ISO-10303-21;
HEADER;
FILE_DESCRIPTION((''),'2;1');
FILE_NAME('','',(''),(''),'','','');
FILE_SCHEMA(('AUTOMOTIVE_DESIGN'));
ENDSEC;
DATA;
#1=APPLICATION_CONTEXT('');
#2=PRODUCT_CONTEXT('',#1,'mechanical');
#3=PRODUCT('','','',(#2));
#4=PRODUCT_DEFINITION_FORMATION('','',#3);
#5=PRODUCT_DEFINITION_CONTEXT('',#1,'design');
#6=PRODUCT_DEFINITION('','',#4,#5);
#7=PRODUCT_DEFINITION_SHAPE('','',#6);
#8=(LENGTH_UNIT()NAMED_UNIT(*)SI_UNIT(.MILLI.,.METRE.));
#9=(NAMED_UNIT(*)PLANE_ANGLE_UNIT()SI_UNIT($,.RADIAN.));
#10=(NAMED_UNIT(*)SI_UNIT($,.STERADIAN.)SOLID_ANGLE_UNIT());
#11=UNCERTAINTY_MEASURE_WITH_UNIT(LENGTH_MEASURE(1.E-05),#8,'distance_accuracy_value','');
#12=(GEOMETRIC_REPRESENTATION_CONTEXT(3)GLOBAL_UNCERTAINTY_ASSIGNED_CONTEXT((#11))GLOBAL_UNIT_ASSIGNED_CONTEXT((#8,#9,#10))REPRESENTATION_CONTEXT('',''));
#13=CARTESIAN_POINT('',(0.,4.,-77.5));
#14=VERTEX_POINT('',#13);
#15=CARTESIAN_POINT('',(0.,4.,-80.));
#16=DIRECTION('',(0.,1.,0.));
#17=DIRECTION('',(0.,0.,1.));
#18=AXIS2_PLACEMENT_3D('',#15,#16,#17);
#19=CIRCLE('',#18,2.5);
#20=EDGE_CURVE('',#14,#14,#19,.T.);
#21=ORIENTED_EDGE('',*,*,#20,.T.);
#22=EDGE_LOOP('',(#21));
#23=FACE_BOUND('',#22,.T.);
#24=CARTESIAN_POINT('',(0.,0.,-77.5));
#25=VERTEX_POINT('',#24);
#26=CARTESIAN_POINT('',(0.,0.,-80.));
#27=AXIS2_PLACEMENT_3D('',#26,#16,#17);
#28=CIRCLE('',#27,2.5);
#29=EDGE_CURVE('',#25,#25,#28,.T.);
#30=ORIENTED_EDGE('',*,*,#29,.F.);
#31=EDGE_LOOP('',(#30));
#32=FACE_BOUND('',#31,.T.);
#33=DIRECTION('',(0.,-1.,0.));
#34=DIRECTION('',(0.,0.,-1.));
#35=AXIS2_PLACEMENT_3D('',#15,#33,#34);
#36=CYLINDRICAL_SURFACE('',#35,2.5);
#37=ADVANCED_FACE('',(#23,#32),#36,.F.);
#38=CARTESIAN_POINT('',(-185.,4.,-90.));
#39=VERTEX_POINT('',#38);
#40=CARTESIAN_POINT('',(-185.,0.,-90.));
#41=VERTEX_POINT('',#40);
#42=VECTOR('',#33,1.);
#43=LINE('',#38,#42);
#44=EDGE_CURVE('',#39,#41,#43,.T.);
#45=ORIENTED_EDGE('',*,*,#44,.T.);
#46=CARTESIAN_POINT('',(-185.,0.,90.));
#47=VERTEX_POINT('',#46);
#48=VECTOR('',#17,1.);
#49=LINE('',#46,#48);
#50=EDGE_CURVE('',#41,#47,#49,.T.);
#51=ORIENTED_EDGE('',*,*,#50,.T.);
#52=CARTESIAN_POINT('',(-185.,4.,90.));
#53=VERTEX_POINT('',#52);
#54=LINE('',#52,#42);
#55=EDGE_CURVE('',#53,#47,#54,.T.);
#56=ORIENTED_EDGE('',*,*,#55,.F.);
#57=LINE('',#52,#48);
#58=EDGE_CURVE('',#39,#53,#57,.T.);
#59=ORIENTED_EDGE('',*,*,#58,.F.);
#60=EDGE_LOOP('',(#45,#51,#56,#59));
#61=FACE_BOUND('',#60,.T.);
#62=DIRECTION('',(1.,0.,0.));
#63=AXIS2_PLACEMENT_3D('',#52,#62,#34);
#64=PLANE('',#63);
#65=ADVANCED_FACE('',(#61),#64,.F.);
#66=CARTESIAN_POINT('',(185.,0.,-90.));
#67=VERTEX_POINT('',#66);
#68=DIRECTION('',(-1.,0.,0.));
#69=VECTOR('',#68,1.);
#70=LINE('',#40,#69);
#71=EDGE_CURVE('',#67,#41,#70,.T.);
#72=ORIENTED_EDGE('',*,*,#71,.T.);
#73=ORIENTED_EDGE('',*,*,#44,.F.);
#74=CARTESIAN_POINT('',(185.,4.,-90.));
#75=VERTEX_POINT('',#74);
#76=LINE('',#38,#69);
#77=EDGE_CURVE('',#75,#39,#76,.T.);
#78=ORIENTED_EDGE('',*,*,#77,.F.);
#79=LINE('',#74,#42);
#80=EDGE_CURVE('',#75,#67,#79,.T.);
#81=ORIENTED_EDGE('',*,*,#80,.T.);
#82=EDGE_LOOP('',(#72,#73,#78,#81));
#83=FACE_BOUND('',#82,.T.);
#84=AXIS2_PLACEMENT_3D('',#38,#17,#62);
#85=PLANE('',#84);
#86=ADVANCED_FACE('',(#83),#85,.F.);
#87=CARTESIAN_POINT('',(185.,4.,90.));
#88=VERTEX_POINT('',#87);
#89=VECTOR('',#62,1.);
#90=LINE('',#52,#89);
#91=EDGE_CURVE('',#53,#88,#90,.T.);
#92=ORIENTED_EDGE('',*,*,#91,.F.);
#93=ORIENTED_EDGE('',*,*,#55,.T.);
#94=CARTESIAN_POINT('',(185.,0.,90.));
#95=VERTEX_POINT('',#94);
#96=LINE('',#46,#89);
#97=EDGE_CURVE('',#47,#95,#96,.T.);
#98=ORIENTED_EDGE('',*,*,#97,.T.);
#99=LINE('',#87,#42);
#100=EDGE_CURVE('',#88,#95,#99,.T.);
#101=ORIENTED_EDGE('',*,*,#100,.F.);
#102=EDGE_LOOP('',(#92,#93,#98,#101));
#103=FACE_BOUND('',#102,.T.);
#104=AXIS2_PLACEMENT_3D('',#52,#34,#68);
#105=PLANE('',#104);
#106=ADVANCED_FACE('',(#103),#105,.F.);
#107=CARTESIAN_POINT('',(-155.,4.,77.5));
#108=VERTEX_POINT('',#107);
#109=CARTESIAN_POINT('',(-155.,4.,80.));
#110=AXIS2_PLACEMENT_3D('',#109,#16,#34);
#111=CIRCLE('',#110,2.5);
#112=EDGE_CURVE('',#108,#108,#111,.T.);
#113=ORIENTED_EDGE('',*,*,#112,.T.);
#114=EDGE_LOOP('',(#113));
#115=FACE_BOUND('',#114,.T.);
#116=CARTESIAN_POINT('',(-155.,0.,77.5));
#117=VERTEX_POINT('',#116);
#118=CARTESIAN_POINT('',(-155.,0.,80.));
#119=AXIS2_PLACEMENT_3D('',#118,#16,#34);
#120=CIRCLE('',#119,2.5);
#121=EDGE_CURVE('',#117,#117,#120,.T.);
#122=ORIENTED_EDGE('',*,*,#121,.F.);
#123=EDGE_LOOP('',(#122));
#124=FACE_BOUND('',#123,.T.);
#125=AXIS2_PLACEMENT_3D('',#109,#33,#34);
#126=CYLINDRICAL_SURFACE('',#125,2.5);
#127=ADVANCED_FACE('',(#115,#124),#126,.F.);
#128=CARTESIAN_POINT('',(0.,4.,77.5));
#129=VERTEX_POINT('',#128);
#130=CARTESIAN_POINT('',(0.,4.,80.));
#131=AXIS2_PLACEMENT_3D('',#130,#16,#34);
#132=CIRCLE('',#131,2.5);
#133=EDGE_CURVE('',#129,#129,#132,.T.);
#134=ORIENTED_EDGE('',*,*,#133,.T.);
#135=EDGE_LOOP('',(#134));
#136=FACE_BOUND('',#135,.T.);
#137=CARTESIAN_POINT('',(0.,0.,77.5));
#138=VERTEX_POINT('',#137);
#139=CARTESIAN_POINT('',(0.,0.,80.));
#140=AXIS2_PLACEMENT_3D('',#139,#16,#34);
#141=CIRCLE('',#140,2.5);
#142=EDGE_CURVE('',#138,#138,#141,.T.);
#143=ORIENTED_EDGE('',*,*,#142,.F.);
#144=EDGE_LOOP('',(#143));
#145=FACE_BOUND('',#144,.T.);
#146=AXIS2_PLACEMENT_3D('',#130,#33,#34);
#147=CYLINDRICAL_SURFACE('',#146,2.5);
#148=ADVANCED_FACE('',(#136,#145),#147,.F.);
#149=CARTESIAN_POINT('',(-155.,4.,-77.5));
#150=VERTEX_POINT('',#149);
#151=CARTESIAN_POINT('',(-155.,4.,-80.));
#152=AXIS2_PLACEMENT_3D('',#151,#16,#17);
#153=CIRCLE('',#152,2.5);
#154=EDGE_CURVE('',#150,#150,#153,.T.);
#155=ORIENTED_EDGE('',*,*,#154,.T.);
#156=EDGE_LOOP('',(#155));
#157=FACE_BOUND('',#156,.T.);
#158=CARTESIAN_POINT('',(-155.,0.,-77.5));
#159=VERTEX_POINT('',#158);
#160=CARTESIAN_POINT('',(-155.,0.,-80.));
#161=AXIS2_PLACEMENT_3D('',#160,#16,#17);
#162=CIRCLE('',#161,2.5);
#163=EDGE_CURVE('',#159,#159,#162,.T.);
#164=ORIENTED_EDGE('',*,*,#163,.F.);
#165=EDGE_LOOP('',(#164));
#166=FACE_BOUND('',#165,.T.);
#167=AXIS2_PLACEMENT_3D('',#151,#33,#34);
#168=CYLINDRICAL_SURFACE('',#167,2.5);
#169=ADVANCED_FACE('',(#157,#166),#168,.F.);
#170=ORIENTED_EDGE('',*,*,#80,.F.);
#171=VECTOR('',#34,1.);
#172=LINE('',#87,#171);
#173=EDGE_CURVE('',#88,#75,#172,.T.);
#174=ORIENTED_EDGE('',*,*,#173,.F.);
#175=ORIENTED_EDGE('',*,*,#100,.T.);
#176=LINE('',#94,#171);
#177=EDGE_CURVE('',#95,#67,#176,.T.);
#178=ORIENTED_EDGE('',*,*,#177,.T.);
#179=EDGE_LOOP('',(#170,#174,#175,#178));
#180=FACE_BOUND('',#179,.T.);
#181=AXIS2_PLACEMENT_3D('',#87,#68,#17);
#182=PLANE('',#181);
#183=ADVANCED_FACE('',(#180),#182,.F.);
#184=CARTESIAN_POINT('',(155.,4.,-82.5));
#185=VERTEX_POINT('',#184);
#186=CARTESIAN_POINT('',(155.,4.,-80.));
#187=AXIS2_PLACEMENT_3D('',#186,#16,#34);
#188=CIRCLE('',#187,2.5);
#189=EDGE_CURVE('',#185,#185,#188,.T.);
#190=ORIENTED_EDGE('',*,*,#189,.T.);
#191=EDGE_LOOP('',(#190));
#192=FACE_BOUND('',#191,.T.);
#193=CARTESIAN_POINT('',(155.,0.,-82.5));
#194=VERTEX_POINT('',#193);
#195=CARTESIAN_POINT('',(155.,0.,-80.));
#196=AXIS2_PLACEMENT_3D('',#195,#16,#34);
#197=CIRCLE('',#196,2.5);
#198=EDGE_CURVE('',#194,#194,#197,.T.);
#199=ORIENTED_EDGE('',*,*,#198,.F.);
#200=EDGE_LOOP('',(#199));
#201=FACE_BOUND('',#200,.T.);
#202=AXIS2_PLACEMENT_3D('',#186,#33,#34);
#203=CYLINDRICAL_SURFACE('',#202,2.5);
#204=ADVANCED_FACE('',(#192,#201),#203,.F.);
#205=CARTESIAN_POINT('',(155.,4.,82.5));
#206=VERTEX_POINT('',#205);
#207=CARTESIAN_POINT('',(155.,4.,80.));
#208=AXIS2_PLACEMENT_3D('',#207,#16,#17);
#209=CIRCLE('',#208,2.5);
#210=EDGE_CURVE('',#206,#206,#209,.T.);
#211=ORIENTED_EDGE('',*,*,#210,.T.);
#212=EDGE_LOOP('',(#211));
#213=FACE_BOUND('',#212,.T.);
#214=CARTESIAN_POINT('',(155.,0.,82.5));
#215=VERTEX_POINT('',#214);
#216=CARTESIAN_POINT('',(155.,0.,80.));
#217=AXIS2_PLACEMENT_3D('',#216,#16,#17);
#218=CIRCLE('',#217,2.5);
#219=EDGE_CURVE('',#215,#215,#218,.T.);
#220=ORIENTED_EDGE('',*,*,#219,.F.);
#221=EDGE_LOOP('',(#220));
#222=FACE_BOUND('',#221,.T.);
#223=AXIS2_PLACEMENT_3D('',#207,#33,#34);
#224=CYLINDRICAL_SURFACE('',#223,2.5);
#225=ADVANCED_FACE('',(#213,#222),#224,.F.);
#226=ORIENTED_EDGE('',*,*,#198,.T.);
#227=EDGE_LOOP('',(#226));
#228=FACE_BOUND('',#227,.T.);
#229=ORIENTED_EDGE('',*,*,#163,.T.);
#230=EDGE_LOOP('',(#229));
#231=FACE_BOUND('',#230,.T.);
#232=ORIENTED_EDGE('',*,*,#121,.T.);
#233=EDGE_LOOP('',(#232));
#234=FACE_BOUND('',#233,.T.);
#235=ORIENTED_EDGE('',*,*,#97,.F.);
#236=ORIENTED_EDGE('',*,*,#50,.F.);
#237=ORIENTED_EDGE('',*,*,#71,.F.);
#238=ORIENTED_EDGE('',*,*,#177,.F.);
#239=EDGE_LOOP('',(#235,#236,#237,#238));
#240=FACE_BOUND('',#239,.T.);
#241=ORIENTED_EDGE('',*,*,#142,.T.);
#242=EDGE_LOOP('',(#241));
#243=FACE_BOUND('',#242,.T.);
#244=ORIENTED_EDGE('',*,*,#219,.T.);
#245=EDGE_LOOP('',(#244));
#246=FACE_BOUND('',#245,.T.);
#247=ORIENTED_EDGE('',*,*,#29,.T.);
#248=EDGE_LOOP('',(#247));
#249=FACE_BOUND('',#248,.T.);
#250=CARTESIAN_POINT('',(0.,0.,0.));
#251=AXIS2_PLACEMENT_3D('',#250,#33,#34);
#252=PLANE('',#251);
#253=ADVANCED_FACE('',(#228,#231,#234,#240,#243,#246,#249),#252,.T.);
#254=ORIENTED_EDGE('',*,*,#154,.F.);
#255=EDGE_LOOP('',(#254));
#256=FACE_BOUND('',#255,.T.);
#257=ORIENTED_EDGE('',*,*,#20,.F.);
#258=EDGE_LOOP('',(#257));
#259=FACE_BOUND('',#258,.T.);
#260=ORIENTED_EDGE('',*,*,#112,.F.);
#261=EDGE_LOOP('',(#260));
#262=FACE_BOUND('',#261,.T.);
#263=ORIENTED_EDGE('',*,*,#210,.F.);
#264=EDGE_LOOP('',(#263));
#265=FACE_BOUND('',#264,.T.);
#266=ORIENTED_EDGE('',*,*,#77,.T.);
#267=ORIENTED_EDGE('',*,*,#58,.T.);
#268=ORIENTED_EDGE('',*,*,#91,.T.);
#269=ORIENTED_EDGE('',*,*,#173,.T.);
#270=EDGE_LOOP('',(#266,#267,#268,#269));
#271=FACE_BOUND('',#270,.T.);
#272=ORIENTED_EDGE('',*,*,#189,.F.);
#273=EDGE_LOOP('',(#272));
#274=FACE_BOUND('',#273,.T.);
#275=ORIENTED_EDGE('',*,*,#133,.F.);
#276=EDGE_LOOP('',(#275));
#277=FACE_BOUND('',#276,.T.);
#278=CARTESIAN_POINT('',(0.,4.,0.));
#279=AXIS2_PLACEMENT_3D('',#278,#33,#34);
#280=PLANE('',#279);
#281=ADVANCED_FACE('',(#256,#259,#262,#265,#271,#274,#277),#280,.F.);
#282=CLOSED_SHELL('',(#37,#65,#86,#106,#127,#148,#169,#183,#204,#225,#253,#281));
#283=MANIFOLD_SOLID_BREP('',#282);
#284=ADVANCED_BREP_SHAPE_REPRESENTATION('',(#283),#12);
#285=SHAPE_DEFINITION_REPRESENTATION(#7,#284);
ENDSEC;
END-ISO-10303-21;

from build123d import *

# Parameters (mm, degrees)
SKETCH1_W           = 370
SKETCH1_H           = 180
SKETCH1_R           = 2.5
BOSS_EXTRUDE1_DEPTH = 4


with BuildPart() as part:
    # Sketch1 → Boss-Extrude1 (new body)
    with BuildSketch(Plane(origin=(0, 0, 0), x_dir=(1, 0, 0), z_dir=(0, 1, 0))):
        Rectangle(SKETCH1_W, SKETCH1_H)
        with Locations((-155, 80)):
            Circle(SKETCH1_R, mode=Mode.SUBTRACT)
        with Locations((0, 80)):
            Circle(SKETCH1_R, mode=Mode.SUBTRACT)
        with Locations((155, 80)):
            Circle(SKETCH1_R, mode=Mode.SUBTRACT)
        with Locations((-155, -80)):
            Circle(SKETCH1_R, mode=Mode.SUBTRACT)
        with Locations((0, -80)):
            Circle(SKETCH1_R, mode=Mode.SUBTRACT)
        with Locations((155, -80)):
            Circle(SKETCH1_R, mode=Mode.SUBTRACT)
    extrude(amount=BOSS_EXTRUDE1_DEPTH)


solid = part.part
